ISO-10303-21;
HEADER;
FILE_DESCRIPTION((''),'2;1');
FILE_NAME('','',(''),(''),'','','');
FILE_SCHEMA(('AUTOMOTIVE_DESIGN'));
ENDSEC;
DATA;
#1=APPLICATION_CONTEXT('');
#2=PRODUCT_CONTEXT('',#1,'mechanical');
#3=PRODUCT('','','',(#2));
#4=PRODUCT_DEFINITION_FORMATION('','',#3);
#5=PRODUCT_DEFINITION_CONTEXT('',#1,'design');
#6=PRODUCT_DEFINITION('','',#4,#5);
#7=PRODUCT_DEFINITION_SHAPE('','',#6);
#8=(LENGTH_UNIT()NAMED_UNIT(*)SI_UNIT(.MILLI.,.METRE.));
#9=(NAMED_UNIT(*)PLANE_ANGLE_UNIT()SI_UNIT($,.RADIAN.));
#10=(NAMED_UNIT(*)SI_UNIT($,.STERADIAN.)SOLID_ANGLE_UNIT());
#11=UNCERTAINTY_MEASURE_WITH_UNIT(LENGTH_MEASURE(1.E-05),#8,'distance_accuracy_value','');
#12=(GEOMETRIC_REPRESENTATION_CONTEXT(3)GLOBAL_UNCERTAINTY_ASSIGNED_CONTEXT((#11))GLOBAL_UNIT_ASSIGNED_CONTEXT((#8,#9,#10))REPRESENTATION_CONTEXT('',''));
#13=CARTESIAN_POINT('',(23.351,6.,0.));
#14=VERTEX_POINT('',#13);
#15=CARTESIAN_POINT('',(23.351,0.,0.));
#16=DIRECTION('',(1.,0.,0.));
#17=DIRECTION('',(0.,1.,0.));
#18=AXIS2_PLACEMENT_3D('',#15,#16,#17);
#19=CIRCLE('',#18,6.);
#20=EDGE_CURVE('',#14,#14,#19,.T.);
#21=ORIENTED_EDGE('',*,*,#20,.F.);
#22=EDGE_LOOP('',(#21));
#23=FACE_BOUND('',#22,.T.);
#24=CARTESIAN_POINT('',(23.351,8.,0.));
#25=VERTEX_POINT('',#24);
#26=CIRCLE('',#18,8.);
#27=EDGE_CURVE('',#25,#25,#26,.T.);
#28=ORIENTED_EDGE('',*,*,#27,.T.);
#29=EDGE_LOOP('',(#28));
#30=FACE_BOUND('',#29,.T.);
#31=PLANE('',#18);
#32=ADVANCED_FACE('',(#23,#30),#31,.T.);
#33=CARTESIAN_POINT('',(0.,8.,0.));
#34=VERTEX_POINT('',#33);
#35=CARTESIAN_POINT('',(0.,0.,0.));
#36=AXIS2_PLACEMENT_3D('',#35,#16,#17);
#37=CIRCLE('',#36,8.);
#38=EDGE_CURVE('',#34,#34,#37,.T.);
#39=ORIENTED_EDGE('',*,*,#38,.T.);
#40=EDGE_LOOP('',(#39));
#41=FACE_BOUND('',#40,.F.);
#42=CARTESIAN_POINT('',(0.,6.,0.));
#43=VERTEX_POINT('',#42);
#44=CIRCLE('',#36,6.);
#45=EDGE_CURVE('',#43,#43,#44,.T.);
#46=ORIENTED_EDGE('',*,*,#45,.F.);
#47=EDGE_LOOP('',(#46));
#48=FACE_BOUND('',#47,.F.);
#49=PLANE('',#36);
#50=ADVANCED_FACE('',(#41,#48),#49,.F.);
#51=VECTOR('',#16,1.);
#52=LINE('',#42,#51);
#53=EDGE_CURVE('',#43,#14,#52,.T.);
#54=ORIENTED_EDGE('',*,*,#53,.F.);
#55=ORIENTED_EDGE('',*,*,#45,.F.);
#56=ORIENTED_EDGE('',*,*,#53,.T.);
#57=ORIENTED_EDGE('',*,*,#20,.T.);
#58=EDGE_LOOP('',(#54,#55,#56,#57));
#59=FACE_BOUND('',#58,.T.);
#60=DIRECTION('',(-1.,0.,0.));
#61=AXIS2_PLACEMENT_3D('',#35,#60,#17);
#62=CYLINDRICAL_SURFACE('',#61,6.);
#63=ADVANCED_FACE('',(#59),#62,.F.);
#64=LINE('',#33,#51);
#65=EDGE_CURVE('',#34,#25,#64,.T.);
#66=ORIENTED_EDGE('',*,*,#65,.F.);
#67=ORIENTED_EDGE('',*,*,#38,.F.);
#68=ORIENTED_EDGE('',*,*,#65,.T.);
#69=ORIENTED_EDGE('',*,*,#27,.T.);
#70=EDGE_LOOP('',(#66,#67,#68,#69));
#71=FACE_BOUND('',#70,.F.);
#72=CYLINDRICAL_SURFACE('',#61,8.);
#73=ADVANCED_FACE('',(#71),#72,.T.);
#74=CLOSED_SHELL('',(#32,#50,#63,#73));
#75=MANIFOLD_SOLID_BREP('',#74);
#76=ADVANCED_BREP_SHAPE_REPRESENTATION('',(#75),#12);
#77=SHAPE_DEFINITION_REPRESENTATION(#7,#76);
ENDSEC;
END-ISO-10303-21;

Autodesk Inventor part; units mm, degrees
ref_plane "YZ Plane" through (0, 0, 0) normal (1, 0, 0) x (0, 1, 0)
ref_plane "XZ Plane" through (0, 0, 0) normal (0, 1, 0) x (-1, 0, 0)
ref_plane "XY Plane" through (0, 0, 0) normal (0, 0, 1) x (1, 0, 0)
sketch "Sketch1" plane through (0, 0, 0) normal (1, 0, 0) x (0, 1, 0)
  circle A0 centre (0, 0) radius 6
  circle A1 centre (0, 0) radius 8
  dimension "d1" = 16
  dimension "d2" = 12
extrude "Extrusion1" add sketch "Sketch1" along normal blind 23.351
properties part number "363-52"
